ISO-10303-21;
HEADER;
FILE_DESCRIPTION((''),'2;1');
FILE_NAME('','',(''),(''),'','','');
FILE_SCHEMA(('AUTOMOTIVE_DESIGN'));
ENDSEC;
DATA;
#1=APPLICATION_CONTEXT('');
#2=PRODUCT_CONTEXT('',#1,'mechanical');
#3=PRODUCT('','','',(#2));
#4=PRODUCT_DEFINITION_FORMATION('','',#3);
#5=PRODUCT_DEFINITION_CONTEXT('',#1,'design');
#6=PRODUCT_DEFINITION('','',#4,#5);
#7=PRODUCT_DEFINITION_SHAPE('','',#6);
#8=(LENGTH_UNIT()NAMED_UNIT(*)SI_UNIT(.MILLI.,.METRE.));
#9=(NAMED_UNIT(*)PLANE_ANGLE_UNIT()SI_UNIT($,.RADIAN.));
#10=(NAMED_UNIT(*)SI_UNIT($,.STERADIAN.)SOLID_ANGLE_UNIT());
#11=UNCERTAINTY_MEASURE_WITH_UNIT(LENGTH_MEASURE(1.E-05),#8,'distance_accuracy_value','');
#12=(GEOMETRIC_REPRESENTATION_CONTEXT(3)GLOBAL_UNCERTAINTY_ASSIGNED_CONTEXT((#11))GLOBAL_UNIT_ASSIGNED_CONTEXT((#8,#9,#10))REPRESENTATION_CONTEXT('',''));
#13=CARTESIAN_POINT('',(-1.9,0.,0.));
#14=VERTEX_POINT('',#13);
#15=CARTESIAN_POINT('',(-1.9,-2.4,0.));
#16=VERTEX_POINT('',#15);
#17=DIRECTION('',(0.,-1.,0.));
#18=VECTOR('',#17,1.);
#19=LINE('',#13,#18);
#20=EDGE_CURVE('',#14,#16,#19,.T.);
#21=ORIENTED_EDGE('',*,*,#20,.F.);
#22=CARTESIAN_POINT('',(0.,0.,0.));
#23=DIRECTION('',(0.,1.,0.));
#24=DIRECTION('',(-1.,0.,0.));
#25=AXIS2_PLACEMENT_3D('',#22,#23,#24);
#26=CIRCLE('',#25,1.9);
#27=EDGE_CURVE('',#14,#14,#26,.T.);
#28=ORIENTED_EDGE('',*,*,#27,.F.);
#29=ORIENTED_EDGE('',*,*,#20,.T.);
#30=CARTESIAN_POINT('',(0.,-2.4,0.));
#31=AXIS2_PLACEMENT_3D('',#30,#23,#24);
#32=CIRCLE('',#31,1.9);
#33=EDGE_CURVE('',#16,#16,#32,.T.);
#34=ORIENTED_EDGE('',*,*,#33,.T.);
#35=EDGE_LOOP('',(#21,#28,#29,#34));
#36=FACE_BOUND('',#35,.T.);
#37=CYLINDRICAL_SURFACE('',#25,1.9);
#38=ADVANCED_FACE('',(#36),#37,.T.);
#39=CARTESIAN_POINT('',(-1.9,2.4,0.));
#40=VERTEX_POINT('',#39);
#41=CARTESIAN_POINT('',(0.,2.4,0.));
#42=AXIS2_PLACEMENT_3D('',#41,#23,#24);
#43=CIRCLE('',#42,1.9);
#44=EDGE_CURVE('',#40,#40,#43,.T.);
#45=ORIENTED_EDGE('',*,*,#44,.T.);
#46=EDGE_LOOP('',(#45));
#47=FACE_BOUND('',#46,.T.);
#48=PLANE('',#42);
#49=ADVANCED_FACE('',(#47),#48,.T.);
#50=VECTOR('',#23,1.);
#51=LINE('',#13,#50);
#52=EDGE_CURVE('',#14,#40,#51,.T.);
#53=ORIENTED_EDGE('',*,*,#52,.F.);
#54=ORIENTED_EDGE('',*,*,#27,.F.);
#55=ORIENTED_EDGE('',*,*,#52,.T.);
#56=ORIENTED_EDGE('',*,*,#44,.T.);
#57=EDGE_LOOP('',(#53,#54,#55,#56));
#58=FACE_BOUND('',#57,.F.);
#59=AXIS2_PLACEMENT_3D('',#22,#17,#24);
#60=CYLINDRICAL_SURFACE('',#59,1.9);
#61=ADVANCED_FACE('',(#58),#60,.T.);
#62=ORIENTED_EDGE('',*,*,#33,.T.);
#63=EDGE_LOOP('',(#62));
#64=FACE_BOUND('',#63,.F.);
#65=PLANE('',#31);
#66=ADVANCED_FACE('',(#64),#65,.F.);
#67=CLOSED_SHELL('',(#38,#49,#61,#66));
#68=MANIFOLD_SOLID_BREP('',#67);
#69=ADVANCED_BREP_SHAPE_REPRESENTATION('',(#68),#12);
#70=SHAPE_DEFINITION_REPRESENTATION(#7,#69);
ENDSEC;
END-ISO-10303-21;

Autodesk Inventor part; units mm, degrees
ref_plane "YZ Plane" through (0, 0, 0) normal (1, 0, 0) x (0, 1, 0)
ref_plane "XY Plane" through (0, 0, 0) normal (0, 0, 1) x (1, 0, 0)
sketch "Эскиз1" plane through (0, 0, 0) normal (0, 1, 0) x (-1, 0, 0)
  circle A0 centre (0, 0) radius 1.9
  dimension "d0" = 3.8
extrude "Выдавливание1" add sketch "Эскиз1" along normal mid plane 4.8
properties part number "пимпка"
